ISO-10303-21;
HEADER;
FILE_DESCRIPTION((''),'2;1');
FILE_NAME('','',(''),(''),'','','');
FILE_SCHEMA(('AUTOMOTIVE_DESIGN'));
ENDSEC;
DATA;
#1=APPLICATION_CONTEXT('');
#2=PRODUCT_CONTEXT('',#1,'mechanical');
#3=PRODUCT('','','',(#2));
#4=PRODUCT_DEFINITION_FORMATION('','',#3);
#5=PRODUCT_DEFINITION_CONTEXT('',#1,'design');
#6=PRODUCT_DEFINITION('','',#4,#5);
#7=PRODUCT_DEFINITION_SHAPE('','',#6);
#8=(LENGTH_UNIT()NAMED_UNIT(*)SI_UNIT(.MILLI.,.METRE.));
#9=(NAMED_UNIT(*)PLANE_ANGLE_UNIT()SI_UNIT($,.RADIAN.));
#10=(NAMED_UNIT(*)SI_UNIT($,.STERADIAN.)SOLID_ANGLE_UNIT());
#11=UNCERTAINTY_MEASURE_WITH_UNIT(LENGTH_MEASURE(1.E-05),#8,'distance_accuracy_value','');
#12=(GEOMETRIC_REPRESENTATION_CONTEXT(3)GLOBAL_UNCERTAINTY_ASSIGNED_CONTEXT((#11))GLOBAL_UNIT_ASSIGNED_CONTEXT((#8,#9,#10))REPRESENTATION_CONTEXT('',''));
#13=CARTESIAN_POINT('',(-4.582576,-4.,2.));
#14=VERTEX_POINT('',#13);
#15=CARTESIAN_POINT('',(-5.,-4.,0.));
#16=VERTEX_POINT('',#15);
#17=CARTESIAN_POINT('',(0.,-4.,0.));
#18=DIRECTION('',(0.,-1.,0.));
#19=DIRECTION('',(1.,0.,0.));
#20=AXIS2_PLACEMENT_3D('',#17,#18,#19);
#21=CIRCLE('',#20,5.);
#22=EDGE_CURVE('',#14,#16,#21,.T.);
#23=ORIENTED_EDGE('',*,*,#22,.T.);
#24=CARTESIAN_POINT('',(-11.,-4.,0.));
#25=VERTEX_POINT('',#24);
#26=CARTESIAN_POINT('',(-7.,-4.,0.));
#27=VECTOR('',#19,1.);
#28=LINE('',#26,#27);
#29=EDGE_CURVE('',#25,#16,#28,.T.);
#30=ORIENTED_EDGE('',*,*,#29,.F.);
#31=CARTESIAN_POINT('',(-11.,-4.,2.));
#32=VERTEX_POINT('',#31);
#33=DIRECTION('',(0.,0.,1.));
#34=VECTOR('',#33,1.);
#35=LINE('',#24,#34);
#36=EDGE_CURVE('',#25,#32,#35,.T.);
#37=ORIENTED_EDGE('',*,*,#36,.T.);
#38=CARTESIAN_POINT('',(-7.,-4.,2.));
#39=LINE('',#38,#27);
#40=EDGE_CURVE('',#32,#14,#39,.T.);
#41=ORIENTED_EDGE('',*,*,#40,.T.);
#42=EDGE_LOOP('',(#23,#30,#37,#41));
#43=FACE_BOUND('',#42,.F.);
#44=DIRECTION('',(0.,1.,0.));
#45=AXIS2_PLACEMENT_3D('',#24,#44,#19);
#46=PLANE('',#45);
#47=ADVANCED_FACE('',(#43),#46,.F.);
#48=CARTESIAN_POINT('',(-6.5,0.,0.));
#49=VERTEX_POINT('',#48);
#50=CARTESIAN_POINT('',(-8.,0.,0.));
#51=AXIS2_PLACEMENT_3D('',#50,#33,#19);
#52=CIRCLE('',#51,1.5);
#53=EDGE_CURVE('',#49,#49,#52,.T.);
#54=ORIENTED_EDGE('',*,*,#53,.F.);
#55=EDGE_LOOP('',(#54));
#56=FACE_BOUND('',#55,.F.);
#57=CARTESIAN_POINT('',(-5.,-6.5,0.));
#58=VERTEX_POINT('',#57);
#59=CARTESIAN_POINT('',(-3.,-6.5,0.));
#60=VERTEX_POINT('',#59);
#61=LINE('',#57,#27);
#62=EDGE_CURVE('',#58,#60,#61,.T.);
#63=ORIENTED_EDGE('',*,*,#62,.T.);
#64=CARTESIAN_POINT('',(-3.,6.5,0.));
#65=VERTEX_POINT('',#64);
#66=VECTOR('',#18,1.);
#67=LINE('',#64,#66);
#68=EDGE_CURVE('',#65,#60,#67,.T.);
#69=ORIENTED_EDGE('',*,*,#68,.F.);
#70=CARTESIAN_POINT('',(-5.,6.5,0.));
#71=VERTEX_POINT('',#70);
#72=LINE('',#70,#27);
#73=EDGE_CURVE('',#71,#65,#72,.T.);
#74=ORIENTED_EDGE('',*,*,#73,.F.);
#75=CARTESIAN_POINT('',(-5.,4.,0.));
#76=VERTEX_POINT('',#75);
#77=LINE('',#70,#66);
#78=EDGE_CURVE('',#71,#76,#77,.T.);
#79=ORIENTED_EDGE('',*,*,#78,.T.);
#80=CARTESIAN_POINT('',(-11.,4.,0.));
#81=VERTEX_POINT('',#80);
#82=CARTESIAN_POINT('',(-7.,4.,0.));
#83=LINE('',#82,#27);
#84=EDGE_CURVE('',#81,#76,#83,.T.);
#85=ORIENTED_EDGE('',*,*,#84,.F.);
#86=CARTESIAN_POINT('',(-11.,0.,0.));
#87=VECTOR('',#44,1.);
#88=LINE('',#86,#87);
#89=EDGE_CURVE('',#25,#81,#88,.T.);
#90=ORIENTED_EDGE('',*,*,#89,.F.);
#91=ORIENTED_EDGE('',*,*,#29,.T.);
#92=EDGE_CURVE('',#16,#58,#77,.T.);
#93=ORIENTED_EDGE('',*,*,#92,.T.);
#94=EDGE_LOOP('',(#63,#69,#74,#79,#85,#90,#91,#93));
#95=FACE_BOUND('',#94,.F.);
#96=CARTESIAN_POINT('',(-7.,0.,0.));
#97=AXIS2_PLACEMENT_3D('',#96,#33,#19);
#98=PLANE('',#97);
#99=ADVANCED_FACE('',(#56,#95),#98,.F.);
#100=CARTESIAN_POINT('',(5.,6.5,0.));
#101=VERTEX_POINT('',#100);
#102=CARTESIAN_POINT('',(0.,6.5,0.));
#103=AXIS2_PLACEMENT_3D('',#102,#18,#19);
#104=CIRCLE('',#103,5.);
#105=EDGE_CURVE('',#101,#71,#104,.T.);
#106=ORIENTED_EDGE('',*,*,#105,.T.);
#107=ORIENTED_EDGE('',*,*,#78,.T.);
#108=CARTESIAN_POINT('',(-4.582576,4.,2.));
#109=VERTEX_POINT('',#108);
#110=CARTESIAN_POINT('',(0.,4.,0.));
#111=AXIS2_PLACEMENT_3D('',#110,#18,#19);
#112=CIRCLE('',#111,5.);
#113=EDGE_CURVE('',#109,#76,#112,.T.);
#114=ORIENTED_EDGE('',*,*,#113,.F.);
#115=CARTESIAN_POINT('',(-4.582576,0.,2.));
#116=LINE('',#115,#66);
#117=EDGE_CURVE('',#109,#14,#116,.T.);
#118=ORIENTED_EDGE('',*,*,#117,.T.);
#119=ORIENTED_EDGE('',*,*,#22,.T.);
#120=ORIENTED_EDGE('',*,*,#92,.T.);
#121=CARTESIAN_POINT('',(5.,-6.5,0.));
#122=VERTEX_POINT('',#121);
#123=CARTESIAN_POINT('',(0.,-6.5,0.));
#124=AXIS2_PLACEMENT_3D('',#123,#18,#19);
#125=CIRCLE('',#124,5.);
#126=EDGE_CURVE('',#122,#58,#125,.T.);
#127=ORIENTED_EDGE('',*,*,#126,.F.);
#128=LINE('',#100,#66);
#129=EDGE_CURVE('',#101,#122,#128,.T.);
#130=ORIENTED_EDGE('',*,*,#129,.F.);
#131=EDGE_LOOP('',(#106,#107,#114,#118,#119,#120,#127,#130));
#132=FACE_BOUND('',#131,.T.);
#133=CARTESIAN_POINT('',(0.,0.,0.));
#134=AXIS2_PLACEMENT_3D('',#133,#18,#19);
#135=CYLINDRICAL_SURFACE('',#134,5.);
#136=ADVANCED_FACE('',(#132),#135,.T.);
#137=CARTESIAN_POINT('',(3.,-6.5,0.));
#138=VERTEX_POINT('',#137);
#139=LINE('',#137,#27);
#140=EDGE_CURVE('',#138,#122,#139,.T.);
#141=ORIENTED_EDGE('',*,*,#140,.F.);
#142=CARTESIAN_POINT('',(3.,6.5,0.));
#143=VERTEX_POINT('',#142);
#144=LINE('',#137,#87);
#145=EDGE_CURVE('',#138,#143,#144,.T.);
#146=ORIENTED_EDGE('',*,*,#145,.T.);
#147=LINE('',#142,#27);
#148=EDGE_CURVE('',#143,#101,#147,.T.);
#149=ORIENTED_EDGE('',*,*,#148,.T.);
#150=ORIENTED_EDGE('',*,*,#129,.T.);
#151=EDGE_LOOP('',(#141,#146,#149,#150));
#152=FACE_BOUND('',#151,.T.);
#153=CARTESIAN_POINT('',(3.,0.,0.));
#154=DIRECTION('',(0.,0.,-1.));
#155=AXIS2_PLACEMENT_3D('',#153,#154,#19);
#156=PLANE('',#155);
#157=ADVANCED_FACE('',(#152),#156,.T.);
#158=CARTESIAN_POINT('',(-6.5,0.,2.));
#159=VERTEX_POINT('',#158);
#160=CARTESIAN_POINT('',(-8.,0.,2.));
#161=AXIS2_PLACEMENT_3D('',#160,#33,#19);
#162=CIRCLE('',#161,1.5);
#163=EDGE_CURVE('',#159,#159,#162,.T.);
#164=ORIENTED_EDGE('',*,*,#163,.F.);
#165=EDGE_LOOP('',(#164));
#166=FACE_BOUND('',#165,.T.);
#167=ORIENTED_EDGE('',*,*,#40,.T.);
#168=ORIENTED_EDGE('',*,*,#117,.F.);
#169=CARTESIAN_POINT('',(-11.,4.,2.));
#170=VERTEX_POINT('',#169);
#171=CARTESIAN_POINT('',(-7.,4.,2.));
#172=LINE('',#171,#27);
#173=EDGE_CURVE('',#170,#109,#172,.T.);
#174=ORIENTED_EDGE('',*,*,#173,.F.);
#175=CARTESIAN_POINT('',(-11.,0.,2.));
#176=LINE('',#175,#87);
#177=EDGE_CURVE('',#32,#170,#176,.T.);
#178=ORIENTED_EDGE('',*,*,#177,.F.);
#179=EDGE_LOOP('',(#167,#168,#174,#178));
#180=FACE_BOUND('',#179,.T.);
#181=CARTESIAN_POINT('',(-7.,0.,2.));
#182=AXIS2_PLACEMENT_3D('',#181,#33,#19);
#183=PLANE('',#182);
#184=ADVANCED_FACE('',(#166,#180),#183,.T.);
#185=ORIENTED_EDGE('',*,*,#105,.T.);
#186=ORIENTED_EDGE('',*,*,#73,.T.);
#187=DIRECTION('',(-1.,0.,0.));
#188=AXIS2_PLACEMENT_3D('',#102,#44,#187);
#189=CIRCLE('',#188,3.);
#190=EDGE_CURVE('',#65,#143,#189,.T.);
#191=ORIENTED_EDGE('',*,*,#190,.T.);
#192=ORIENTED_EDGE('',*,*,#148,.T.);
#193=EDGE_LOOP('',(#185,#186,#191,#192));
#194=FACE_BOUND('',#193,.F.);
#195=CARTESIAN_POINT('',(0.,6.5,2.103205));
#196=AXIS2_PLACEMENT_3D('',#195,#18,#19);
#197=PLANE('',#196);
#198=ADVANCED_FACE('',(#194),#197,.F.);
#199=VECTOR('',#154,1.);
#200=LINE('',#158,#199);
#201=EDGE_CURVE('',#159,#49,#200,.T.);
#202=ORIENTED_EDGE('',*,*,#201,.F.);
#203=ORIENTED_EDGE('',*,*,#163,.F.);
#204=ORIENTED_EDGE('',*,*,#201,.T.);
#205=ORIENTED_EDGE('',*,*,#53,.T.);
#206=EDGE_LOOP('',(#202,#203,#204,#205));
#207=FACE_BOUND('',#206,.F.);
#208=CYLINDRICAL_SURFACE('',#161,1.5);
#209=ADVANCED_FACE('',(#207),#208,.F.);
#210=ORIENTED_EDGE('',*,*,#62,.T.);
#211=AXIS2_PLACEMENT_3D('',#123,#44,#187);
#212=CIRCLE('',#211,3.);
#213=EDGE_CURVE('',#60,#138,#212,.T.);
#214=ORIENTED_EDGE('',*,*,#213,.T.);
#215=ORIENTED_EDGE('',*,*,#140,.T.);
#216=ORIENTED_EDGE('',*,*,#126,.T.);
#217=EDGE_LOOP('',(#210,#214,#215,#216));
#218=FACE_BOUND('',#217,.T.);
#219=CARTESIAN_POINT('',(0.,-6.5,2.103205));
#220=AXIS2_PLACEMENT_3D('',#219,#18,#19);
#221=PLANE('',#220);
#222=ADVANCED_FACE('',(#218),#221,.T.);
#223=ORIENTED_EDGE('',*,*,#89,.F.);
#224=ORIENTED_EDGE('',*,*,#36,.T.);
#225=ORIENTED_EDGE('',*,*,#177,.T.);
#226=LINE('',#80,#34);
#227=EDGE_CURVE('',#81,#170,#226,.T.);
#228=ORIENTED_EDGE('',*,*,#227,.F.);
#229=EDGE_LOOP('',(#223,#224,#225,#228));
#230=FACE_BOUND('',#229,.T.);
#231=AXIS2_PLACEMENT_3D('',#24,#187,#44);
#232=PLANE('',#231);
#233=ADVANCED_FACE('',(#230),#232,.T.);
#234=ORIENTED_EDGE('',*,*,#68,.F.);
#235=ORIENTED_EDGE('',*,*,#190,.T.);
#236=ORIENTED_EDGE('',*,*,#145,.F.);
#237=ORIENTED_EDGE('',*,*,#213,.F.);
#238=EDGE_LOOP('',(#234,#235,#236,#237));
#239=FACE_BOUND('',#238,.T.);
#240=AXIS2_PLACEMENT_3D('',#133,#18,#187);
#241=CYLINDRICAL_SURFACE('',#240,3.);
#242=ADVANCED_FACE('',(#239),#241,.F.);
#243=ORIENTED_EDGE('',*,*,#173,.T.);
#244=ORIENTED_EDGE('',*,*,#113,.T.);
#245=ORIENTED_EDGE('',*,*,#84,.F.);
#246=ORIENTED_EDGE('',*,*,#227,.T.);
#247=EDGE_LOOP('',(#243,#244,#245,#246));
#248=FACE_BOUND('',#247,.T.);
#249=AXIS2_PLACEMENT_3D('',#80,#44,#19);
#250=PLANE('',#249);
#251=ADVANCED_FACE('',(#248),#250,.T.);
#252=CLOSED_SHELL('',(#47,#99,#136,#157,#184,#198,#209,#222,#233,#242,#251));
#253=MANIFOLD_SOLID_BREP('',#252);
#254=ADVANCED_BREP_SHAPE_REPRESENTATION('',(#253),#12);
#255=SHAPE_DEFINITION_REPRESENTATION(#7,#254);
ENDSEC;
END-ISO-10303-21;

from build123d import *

# Parameters (mm, degrees)
F1_DEPTH = 6.5
F2_W     = 8
F2_H     = 8
F3_DEPTH = 2
F4_R     = 1.5
F5_DEPTH = 25


with BuildPart() as f1:
    # F0 (on Front) → F1 (new body, symmetric)
    with BuildSketch(Plane.XZ):
        with BuildLine():
            Line((3, 0), (5, 0))
            ThreePointArc((5, 0), (0, 5), (-5, 0))
            Line((-5, 0), (-3, 0))
            ThreePointArc((-3, 0), (0, 3), (3, 0))
        make_face()
    extrude(amount=F1_DEPTH, both=True)

    # F2 (on Top) → F3 (join)
    with BuildSketch(Plane.XY):
        with Locations((-7, 0)):
            Rectangle(F2_W, F2_H)
    extrude(amount=F3_DEPTH)

    # F4 (on face) → F5 (cut)
    with BuildSketch(Plane.XY.offset(2)):
        with Locations((-8, 0)):
            Circle(F4_R)
    extrude(amount=-F5_DEPTH, mode=Mode.SUBTRACT)


solid = f1.part
